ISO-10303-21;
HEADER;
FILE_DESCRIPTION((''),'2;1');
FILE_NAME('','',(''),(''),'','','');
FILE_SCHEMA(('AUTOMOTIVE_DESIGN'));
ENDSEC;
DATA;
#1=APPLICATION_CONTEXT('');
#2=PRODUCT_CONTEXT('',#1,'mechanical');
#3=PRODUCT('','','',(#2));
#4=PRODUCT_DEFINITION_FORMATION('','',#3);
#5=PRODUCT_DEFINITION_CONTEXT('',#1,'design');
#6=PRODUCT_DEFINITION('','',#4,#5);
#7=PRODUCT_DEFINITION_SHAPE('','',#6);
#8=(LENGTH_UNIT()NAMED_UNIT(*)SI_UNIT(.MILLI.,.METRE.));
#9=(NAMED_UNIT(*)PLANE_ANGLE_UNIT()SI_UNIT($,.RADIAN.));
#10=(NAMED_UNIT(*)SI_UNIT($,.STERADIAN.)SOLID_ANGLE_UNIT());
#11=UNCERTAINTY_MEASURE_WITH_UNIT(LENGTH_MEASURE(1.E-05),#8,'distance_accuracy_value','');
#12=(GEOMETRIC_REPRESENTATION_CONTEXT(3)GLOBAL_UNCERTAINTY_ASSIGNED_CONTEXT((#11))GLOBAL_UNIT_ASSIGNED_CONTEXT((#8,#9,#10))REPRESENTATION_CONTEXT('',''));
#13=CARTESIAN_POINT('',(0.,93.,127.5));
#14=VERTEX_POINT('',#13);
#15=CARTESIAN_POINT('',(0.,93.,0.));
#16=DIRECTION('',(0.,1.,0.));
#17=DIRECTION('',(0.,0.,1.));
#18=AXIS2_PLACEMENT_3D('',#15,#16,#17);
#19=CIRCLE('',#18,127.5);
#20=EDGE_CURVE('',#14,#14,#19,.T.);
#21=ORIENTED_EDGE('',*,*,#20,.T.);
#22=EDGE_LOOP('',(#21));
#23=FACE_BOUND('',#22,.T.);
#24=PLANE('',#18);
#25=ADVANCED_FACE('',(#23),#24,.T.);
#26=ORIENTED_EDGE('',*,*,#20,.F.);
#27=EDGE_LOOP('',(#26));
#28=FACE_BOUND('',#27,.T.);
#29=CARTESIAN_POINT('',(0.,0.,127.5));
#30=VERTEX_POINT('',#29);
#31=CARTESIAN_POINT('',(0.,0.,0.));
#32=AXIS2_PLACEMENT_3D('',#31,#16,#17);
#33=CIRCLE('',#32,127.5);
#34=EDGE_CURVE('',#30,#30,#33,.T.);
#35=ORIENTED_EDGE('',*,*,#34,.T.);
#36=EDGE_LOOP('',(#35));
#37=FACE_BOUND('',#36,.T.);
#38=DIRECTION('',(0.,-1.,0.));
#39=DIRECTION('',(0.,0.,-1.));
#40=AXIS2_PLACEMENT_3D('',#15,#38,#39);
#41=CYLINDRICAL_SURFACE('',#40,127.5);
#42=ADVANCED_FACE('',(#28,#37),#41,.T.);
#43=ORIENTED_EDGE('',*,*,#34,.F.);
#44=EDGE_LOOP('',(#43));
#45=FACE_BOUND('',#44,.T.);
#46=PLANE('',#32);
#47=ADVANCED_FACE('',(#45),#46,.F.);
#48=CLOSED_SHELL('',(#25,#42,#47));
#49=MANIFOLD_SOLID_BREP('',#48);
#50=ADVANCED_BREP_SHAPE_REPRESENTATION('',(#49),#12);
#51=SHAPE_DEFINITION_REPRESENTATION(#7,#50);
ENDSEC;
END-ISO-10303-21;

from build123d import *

# Parameters (mm, degrees)
SKETCH1_R      = 127.5
EXTRUDE1_DEPTH = 93


with BuildPart() as part:
    # Sketch1 → Extrude1 (new body)
    with BuildSketch(Plane(origin=(0, 0, 0), x_dir=(1, 0, 0), z_dir=(0, 1, 0))):
        with Locations(Location((0, 0, 0), (0, 0, 270))):  # turned: the seam where the file's is
            Circle(SKETCH1_R)
    extrude(amount=EXTRUDE1_DEPTH)


solid = part.part
